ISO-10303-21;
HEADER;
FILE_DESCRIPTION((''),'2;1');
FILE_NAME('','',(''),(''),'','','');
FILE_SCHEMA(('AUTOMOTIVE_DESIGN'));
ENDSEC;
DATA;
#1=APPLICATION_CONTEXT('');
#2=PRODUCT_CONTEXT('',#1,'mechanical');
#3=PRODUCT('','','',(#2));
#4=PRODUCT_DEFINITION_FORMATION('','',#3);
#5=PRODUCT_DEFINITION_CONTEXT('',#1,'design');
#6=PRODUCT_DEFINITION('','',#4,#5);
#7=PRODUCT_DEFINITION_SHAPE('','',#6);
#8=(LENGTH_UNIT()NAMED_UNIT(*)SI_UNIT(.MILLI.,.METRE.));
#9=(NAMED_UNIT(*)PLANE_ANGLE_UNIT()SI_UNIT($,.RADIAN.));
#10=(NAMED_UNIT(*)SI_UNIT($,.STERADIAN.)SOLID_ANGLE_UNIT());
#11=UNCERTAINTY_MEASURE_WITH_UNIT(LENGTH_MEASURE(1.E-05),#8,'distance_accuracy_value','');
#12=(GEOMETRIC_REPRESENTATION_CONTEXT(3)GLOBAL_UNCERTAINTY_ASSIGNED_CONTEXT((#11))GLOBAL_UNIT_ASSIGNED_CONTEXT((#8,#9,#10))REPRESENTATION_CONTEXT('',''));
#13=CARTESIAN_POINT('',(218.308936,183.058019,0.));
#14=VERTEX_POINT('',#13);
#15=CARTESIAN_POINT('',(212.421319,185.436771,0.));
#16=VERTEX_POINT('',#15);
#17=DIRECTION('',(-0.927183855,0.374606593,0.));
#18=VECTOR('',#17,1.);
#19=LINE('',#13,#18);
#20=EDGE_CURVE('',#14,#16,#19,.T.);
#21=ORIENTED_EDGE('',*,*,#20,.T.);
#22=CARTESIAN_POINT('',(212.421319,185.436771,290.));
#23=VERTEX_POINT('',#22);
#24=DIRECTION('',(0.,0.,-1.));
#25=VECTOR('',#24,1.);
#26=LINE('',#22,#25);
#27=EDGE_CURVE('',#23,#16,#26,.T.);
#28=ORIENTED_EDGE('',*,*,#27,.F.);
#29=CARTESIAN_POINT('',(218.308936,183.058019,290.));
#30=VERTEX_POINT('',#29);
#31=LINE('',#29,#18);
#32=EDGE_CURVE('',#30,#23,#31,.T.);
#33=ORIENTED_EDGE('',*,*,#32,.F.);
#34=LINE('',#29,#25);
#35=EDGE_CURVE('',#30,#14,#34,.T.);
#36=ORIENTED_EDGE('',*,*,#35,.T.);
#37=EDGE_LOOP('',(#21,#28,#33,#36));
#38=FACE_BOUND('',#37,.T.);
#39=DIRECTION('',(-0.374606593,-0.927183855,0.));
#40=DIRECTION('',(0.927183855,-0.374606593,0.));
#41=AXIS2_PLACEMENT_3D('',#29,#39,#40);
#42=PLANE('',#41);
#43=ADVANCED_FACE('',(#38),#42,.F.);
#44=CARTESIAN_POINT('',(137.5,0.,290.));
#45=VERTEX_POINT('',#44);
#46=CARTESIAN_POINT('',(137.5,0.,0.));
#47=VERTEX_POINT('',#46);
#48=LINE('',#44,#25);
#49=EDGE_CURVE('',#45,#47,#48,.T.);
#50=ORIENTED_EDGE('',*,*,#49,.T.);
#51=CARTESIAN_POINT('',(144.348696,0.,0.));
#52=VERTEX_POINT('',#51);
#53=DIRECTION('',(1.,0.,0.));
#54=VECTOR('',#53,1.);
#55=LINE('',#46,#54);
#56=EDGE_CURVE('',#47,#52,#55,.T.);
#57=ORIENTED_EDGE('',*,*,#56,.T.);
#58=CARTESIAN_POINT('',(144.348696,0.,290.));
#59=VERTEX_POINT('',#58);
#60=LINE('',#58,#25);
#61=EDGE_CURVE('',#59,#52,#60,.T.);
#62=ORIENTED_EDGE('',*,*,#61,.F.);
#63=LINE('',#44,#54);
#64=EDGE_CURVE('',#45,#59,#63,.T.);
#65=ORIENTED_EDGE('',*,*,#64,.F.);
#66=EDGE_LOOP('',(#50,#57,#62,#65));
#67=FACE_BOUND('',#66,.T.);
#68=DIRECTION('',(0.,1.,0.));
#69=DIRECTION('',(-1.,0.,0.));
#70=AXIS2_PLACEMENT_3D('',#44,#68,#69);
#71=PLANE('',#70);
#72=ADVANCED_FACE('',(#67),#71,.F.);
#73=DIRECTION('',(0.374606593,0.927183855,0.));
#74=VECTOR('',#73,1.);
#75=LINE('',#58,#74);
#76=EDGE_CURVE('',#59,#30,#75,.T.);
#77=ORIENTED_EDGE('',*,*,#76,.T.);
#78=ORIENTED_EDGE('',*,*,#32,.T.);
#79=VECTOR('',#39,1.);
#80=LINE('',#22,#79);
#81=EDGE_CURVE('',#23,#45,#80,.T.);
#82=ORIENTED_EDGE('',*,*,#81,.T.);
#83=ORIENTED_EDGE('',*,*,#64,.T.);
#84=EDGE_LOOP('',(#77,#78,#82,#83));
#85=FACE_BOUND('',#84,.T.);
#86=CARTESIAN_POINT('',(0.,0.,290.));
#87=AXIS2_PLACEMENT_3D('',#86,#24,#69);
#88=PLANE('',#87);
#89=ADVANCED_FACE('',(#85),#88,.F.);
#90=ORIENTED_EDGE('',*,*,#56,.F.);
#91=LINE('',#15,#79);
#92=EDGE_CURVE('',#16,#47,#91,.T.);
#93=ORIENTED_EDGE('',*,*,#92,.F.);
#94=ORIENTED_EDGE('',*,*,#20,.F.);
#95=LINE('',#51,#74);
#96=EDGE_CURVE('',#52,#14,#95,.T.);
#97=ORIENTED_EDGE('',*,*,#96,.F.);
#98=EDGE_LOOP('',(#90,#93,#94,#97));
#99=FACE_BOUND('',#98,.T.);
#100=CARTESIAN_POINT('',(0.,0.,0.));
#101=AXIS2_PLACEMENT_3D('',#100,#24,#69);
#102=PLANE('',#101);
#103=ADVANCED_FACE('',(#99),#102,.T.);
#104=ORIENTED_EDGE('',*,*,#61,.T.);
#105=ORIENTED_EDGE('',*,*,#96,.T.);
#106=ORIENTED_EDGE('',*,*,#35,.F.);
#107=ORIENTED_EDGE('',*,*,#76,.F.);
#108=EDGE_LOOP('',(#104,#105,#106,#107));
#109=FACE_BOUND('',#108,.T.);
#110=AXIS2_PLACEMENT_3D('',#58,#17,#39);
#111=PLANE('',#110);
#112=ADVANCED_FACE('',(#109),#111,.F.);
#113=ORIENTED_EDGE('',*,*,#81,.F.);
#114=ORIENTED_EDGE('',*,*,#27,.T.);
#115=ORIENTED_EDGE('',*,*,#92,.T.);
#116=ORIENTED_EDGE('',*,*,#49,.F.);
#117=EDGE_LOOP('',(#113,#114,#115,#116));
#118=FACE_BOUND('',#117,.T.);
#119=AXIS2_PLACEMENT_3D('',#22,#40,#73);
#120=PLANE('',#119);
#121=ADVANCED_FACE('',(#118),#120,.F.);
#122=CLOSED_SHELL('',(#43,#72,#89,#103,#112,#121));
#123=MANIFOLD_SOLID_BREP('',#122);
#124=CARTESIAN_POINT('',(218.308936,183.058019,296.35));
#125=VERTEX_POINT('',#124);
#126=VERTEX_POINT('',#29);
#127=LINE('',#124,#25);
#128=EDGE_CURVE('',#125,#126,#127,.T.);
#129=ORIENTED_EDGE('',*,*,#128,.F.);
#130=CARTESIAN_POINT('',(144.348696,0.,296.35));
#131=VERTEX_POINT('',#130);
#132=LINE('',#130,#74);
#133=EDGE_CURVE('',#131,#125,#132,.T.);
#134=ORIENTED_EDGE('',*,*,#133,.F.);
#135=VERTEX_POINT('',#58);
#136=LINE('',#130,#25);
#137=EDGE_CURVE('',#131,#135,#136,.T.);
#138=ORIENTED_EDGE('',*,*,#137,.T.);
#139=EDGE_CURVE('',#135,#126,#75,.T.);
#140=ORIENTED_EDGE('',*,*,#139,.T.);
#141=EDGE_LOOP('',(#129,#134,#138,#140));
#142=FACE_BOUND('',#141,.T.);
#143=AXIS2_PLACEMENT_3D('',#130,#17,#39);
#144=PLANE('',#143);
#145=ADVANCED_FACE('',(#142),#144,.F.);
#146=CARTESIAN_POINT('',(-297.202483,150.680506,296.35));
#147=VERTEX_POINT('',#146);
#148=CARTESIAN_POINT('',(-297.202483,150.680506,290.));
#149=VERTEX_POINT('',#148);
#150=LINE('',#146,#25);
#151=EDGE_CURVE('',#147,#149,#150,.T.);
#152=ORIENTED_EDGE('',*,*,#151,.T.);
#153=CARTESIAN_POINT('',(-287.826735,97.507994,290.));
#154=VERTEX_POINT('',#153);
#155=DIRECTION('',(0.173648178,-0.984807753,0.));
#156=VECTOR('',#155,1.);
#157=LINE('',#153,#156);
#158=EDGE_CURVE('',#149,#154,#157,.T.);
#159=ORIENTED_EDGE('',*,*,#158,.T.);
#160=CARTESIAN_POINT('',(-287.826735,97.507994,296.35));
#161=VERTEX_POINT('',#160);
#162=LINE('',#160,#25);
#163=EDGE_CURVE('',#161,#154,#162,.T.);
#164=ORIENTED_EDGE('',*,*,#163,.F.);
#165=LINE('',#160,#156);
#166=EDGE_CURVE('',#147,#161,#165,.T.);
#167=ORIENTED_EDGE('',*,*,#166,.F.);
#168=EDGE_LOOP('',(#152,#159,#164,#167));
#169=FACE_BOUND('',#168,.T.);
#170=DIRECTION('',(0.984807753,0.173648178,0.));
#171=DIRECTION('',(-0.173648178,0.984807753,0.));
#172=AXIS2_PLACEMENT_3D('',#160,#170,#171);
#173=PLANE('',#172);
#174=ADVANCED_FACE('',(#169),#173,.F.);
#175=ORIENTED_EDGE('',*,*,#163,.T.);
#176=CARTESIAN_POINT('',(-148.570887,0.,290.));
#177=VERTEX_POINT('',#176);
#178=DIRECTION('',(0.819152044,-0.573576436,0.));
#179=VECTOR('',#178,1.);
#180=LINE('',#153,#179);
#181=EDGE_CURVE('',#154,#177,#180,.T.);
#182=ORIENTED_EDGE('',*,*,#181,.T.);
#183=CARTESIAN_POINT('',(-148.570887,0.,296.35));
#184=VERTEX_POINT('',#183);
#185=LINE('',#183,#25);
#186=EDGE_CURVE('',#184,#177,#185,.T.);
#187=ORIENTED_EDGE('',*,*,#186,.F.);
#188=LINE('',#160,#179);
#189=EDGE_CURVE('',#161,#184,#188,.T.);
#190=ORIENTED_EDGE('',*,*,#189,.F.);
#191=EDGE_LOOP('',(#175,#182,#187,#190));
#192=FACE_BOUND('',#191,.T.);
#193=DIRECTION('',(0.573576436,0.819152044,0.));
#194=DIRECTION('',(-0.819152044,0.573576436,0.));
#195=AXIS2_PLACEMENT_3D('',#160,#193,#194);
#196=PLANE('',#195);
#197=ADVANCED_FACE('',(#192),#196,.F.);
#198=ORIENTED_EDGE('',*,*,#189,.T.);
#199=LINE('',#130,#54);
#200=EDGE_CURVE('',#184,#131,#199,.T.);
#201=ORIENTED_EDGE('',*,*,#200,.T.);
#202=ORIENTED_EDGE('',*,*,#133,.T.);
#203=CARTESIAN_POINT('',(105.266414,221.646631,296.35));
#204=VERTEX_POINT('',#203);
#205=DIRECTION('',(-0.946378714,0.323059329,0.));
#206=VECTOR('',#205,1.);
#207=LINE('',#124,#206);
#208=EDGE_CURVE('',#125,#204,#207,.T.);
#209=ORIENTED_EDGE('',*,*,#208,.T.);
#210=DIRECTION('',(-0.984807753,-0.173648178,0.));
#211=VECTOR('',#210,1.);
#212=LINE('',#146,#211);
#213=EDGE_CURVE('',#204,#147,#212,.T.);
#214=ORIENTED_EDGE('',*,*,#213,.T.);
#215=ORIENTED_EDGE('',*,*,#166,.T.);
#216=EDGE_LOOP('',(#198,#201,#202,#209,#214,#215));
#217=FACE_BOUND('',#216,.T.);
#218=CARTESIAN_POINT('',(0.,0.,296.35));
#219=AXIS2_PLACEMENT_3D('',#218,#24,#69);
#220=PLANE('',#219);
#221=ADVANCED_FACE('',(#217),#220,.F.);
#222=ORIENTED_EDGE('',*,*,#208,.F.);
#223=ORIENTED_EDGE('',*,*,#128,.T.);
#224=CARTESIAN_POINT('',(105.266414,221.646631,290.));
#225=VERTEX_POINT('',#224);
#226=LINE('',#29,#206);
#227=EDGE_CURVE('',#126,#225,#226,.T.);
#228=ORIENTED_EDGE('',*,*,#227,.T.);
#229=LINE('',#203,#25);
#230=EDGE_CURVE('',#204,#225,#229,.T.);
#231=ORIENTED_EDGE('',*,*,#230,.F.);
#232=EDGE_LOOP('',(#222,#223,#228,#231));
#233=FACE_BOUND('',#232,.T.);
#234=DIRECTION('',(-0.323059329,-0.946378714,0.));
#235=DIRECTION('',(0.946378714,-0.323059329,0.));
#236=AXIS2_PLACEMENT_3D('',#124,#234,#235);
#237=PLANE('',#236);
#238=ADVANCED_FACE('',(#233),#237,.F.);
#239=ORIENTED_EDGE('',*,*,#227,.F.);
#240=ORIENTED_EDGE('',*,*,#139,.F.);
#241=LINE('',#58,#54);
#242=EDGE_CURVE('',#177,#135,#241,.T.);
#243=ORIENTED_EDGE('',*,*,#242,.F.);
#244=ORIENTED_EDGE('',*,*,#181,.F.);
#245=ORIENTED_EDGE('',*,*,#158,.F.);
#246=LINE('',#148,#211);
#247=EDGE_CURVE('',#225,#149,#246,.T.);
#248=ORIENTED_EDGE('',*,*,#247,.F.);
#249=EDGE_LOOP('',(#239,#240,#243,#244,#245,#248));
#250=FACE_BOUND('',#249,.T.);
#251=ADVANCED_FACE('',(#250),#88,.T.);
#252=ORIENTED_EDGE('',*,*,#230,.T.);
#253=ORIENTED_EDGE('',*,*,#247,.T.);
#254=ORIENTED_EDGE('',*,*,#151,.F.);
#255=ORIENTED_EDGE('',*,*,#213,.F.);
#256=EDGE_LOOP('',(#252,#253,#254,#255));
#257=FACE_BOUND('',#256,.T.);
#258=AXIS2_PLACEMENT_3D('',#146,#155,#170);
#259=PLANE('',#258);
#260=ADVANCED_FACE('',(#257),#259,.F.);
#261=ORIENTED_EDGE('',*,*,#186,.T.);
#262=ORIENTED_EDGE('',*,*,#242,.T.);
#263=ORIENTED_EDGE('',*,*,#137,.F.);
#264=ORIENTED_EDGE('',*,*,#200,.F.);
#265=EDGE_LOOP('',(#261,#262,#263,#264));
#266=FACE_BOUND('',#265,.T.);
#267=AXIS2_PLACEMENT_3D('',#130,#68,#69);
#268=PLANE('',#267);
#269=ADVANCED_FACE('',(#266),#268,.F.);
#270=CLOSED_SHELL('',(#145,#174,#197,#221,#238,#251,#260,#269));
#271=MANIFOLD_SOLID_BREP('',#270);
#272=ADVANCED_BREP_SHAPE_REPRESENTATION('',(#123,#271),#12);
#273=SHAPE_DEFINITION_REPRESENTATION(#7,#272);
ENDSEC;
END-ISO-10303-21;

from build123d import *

# Parameters (mm, degrees)
BOSS_EXTRUDE1_DEPTH = 290
BOSS_EXTRUDE2_DEPTH = 6.35


with BuildPart() as part:
    # Sketch1 → Boss-Extrude1 (new body)
    with BuildSketch(Plane.XY):
        Polygon((137.5, 0), (144.348695616, 0), (218.30893616, 183.058019045), (212.421318683, 185.436770913), align=None)
    extrude(amount=BOSS_EXTRUDE1_DEPTH)


with BuildPart() as body_2:
    # Sketch2 → Boss-Extrude2 (new body)
    with BuildSketch(Plane.XY.offset(290)):
        Polygon((-297.202483124, 150.680505869), (105.26641432, 221.646631384), (218.30893616, 183.058019045), (144.348695616, 0), (-148.570887152, 0), (-287.826734681, 97.50799418), align=None)
    extrude(amount=BOSS_EXTRUDE2_DEPTH)


solid = Compound([part.part, body_2.part])
